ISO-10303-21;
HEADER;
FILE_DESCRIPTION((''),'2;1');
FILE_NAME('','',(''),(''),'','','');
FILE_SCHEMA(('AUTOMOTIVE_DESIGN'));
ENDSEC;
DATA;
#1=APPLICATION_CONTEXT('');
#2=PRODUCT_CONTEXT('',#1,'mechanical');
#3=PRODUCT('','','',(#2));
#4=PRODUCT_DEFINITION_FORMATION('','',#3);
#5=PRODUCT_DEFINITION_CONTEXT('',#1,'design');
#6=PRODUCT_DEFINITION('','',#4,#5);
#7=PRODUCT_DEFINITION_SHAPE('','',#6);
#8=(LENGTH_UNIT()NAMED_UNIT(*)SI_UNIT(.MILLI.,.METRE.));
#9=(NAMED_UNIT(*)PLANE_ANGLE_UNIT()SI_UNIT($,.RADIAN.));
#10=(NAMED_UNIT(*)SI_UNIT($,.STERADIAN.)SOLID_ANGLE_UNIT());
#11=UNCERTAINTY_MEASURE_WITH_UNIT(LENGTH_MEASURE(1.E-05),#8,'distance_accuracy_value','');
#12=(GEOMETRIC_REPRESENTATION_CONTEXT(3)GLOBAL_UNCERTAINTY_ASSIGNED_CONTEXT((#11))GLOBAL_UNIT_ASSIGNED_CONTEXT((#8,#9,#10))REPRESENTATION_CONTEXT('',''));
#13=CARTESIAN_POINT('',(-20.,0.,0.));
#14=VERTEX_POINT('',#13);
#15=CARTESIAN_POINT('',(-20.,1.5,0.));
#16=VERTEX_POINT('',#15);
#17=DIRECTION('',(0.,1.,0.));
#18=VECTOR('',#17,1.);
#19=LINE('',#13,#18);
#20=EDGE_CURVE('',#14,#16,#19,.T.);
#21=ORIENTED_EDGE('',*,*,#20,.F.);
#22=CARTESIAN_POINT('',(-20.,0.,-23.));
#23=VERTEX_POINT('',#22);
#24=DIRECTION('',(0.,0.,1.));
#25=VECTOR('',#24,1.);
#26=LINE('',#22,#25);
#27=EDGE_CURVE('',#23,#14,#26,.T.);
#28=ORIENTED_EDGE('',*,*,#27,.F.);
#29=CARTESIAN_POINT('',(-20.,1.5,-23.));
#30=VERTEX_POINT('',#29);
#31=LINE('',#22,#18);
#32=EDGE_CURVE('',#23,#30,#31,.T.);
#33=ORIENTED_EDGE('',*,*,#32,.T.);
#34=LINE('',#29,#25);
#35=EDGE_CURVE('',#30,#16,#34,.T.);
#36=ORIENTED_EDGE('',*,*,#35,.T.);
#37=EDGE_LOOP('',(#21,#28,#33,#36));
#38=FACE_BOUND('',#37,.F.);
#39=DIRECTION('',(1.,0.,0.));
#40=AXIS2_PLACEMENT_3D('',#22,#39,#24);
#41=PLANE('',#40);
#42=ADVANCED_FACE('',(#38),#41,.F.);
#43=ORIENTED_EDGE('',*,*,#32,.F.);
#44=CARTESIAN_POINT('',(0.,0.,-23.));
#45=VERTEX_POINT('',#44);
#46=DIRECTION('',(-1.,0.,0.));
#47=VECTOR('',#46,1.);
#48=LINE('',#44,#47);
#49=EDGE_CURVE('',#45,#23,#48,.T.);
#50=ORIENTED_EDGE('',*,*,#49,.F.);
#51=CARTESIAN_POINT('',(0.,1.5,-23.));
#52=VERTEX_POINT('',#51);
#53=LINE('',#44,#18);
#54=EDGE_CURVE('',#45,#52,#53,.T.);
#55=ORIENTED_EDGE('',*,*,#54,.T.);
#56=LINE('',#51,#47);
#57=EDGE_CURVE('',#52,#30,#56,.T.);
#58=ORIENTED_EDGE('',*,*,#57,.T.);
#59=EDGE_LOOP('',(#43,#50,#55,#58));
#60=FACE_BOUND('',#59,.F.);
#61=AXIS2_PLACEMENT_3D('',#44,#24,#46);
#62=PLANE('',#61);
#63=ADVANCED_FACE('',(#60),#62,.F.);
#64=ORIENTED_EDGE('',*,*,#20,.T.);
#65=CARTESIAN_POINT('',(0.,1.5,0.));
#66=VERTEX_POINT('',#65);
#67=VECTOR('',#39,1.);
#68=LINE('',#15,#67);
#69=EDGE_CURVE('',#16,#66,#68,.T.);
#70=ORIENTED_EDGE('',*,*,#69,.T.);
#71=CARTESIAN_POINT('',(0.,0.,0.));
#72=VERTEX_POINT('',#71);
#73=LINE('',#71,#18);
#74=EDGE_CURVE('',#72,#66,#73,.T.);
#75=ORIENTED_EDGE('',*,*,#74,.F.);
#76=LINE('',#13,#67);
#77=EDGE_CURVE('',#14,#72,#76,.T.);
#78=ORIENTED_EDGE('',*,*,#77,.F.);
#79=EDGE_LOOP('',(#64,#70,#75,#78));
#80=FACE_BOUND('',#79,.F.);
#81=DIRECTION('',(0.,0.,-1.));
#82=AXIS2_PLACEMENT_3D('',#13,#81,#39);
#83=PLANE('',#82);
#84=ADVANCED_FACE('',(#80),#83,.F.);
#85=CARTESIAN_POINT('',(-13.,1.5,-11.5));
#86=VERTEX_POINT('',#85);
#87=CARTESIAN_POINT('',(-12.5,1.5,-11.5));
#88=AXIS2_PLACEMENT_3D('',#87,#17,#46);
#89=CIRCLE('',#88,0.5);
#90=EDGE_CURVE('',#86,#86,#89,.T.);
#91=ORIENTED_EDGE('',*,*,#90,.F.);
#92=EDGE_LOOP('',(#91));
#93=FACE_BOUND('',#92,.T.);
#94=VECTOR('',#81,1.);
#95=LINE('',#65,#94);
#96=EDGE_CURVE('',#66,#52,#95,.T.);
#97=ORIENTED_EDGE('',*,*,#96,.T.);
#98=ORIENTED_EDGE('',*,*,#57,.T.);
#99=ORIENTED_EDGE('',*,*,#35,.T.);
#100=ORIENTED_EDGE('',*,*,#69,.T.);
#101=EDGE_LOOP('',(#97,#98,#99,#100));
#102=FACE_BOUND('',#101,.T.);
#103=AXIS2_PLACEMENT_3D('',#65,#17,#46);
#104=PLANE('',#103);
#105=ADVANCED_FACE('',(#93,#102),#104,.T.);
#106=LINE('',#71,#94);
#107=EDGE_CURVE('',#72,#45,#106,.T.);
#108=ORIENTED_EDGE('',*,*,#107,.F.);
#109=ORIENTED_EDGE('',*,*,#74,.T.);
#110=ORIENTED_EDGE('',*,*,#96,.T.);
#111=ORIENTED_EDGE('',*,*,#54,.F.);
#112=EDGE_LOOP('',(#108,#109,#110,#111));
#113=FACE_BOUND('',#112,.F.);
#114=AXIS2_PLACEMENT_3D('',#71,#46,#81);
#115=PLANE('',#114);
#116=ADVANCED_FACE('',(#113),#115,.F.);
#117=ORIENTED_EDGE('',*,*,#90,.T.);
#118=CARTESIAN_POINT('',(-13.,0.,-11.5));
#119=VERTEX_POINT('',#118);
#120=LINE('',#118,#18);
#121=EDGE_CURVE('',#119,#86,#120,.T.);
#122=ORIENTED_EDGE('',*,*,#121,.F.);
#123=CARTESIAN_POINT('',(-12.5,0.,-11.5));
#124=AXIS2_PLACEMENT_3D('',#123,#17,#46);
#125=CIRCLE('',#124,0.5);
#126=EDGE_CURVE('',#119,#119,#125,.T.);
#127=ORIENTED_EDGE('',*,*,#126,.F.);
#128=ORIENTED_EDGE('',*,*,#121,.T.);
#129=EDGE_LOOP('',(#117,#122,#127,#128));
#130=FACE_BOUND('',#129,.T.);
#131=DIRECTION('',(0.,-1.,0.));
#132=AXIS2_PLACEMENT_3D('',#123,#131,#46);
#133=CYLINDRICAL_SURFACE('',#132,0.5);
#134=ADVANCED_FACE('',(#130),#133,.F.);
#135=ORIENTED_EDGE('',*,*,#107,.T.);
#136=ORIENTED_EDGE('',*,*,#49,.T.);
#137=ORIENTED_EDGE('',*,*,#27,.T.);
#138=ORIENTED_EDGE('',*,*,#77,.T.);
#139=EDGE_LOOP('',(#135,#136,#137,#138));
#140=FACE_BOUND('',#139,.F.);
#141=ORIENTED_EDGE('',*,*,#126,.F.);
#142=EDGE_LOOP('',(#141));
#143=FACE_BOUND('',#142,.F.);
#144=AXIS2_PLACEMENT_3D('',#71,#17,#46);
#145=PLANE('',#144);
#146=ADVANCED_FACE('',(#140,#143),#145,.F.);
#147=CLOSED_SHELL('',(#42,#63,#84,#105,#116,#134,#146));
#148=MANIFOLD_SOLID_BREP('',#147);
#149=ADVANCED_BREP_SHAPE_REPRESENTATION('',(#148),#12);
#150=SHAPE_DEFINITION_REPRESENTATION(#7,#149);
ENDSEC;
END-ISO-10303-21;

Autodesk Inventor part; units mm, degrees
ref_plane "YZ Plane" through (0, 0, 0) normal (1, 0, 0) x (0, 1, 0)
ref_plane "XZ Plane" through (0, 0, 0) normal (0, 1, 0) x (-1, 0, 0)
ref_plane "XY Plane" through (0, 0, 0) normal (0, 0, 1) x (1, 0, 0)
sketch "Sketch1" plane through (0, 0, 0) normal (0, 1, 0) x (-1, 0, 0)
  line L0 (0, 0) -> (0, -23)
  line L1 (0, -23) -> (20, -23)
  line L2 (20, -23) -> (20, 0)
  line L3 (16.0214, -11.5) -> (3.8301, -11.5) construction
  circle A0 centre (12.5, -11.5) radius 0.5
  line L4 (20, 0) -> (0, 0)
  dimension "d0" = 23
  dimension "d2" = 1
  dimension "d3" = 7.5
  dimension "d10" = 20
extrude "Extrusion3" add sketch "Sketch1" along normal blind 1.5
properties part number "Distance_test_adaptor_circle_1mm"
